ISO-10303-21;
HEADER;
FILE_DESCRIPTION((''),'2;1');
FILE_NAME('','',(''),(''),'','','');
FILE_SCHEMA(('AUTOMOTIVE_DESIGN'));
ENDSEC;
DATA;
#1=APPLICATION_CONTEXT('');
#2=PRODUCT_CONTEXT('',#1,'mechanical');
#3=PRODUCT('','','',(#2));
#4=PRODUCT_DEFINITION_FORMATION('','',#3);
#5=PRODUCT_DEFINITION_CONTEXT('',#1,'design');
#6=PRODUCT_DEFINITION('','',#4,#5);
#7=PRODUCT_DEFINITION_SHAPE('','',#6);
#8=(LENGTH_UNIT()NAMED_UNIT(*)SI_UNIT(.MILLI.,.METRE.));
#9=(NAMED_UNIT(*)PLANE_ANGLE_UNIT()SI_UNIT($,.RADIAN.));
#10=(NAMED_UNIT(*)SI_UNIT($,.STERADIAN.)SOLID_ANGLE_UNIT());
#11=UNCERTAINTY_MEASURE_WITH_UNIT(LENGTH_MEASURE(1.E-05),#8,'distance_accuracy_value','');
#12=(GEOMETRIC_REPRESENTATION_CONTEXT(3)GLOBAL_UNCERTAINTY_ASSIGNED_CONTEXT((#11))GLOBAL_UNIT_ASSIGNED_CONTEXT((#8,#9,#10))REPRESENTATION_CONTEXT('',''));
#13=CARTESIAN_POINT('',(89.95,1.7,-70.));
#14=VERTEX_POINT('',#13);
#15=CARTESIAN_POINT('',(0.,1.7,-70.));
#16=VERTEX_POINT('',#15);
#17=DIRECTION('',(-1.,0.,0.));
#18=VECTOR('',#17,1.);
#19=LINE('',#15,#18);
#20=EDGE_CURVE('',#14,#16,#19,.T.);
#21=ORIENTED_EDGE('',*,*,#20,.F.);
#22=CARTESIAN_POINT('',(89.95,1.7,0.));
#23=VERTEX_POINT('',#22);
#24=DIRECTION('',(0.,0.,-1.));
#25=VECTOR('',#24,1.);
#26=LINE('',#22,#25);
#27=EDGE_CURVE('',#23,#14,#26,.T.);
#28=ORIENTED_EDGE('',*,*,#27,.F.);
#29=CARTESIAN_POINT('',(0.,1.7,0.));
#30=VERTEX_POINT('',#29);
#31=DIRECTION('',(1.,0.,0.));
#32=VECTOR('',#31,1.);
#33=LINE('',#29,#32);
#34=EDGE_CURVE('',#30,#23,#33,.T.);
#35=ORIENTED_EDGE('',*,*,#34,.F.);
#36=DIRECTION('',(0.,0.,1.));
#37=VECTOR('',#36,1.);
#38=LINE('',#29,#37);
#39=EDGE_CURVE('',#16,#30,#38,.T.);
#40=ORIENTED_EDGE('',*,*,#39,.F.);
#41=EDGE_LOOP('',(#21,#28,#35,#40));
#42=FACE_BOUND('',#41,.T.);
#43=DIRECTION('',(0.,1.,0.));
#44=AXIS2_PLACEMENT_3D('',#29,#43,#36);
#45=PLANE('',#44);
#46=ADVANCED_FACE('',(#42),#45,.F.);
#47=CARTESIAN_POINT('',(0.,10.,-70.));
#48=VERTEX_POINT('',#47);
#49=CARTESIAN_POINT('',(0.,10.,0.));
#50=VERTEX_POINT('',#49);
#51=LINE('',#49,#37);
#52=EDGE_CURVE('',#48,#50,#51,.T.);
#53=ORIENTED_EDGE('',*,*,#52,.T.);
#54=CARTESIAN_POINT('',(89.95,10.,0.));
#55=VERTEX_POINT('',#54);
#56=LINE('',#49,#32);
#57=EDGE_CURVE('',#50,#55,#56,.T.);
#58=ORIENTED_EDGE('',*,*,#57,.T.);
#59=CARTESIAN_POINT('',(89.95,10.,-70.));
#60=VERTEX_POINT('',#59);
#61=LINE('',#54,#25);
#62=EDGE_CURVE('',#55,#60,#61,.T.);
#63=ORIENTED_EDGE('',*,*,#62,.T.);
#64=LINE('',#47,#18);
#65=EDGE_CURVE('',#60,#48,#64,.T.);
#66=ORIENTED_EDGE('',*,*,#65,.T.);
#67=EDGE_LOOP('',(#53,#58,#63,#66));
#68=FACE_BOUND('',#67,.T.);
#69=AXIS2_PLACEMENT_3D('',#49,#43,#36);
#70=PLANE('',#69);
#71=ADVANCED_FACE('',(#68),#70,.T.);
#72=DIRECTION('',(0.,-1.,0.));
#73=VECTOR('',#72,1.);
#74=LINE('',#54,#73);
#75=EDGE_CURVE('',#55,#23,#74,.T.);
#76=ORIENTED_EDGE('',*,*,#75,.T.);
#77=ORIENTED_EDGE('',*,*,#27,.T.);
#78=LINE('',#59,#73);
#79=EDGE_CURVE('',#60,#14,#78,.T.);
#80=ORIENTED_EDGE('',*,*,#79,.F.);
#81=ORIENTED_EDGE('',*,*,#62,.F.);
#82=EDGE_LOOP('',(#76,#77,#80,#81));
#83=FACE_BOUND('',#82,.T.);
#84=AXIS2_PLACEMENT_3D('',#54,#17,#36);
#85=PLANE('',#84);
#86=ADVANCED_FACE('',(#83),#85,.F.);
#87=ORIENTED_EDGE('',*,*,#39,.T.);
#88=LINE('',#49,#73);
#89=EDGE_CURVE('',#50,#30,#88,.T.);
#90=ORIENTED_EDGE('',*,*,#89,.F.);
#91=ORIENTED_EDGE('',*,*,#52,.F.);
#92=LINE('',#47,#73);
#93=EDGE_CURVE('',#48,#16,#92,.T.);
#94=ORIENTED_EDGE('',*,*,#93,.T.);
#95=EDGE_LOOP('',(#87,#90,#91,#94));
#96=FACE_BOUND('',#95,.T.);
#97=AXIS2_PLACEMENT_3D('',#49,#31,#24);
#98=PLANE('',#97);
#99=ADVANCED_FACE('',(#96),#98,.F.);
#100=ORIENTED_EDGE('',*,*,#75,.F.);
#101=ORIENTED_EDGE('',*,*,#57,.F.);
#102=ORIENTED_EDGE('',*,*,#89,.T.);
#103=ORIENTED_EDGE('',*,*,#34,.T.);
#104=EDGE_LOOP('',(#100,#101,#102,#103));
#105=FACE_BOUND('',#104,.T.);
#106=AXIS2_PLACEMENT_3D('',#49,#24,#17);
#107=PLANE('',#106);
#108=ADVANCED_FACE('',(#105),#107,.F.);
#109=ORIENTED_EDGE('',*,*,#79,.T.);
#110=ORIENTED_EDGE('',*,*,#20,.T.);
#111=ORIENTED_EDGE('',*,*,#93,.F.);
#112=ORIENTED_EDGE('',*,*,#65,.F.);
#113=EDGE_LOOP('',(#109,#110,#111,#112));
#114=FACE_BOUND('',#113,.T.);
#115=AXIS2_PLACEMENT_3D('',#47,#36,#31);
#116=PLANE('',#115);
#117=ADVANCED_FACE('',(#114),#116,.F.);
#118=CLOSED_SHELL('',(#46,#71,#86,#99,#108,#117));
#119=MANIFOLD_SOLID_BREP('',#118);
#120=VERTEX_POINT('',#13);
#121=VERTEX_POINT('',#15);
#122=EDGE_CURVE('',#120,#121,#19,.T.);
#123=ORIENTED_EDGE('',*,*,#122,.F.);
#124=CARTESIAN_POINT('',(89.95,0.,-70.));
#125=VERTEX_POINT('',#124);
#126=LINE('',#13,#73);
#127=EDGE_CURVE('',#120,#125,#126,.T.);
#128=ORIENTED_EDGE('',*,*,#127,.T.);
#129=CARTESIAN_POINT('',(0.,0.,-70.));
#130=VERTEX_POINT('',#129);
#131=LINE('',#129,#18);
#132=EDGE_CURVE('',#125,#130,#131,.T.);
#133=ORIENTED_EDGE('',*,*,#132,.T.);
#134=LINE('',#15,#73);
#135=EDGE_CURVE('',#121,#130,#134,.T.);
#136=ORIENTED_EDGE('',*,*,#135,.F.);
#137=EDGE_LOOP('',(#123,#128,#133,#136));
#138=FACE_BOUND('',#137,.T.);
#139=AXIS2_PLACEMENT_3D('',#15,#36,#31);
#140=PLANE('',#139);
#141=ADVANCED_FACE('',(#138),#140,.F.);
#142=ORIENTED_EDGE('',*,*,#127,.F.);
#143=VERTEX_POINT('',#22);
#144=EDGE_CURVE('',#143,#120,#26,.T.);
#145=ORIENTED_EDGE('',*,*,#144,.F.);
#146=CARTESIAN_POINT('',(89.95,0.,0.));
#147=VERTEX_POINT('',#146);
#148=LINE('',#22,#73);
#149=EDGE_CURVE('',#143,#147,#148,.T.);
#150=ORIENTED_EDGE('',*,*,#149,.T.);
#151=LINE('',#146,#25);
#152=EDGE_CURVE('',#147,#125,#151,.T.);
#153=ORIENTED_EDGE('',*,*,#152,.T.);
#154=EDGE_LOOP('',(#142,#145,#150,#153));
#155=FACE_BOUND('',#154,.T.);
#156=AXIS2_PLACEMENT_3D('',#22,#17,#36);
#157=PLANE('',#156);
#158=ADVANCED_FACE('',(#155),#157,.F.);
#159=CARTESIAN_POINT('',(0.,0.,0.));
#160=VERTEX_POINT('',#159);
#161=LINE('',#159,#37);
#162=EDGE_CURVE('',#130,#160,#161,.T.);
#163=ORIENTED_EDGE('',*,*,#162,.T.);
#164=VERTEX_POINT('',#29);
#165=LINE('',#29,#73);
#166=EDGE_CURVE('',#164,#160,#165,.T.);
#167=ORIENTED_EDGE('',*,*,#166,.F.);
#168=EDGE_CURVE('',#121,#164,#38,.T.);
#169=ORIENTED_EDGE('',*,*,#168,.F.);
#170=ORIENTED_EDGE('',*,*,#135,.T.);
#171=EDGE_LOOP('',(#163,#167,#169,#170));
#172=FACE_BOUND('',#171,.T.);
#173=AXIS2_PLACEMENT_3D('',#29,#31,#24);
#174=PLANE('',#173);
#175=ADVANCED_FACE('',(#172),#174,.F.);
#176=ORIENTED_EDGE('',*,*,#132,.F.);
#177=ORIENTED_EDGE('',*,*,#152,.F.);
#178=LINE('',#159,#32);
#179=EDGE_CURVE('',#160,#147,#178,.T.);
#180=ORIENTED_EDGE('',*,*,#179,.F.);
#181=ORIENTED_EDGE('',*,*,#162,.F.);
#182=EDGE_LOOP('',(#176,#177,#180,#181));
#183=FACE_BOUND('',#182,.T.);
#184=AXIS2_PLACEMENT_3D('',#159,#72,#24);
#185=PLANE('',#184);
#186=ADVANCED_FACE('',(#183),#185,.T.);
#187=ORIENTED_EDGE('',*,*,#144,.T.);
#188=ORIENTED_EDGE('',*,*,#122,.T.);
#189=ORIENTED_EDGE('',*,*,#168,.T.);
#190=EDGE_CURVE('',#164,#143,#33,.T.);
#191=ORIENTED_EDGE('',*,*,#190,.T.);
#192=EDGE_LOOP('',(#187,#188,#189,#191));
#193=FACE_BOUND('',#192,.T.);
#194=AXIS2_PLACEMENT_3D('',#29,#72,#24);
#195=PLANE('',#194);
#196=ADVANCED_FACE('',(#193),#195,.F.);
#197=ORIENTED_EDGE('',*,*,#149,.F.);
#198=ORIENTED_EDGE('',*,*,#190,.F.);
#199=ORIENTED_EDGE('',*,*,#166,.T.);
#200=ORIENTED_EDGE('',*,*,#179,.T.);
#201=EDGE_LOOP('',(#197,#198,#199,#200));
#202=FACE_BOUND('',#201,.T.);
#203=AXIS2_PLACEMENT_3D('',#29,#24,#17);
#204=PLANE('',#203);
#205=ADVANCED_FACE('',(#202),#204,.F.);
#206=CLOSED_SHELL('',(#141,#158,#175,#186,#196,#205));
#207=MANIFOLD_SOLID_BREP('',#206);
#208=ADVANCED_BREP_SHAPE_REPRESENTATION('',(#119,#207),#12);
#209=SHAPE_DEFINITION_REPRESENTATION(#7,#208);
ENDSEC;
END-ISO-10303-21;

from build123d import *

# Parameters (mm, degrees)
SKETCH1_W           = 89.95
SKETCH1_H           = 70
BOSS_EXTRUDE1_DEPTH = 1.7
BOSS_EXTRUDE2_START = 1.7
SKETCH1_2_W         = 89.95
SKETCH1_2_H         = 70
BOSS_EXTRUDE2_DEPTH = 8.3


with BuildPart() as part:
    # Sketch1 → Boss-Extrude1 (new body)
    with BuildSketch(Plane(origin=(0, 0, 0), x_dir=(1, 0, 0), z_dir=(0, 1, 0))):
        with Locations((44.975, 35)):
            Rectangle(SKETCH1_W, SKETCH1_H)
    extrude(amount=BOSS_EXTRUDE1_DEPTH)


with BuildPart() as body_2:
    # Sketch1<2> → Boss-Extrude2 (new body)
    with BuildSketch(Plane(origin=(0, 0, 0), x_dir=(1, 0, 0), z_dir=(0, 1, 0)).offset(BOSS_EXTRUDE2_START)):
        with Locations((44.975, 35)):
            Rectangle(SKETCH1_2_W, SKETCH1_2_H)
    extrude(amount=BOSS_EXTRUDE2_DEPTH)


solid = Compound([part.part, body_2.part])
